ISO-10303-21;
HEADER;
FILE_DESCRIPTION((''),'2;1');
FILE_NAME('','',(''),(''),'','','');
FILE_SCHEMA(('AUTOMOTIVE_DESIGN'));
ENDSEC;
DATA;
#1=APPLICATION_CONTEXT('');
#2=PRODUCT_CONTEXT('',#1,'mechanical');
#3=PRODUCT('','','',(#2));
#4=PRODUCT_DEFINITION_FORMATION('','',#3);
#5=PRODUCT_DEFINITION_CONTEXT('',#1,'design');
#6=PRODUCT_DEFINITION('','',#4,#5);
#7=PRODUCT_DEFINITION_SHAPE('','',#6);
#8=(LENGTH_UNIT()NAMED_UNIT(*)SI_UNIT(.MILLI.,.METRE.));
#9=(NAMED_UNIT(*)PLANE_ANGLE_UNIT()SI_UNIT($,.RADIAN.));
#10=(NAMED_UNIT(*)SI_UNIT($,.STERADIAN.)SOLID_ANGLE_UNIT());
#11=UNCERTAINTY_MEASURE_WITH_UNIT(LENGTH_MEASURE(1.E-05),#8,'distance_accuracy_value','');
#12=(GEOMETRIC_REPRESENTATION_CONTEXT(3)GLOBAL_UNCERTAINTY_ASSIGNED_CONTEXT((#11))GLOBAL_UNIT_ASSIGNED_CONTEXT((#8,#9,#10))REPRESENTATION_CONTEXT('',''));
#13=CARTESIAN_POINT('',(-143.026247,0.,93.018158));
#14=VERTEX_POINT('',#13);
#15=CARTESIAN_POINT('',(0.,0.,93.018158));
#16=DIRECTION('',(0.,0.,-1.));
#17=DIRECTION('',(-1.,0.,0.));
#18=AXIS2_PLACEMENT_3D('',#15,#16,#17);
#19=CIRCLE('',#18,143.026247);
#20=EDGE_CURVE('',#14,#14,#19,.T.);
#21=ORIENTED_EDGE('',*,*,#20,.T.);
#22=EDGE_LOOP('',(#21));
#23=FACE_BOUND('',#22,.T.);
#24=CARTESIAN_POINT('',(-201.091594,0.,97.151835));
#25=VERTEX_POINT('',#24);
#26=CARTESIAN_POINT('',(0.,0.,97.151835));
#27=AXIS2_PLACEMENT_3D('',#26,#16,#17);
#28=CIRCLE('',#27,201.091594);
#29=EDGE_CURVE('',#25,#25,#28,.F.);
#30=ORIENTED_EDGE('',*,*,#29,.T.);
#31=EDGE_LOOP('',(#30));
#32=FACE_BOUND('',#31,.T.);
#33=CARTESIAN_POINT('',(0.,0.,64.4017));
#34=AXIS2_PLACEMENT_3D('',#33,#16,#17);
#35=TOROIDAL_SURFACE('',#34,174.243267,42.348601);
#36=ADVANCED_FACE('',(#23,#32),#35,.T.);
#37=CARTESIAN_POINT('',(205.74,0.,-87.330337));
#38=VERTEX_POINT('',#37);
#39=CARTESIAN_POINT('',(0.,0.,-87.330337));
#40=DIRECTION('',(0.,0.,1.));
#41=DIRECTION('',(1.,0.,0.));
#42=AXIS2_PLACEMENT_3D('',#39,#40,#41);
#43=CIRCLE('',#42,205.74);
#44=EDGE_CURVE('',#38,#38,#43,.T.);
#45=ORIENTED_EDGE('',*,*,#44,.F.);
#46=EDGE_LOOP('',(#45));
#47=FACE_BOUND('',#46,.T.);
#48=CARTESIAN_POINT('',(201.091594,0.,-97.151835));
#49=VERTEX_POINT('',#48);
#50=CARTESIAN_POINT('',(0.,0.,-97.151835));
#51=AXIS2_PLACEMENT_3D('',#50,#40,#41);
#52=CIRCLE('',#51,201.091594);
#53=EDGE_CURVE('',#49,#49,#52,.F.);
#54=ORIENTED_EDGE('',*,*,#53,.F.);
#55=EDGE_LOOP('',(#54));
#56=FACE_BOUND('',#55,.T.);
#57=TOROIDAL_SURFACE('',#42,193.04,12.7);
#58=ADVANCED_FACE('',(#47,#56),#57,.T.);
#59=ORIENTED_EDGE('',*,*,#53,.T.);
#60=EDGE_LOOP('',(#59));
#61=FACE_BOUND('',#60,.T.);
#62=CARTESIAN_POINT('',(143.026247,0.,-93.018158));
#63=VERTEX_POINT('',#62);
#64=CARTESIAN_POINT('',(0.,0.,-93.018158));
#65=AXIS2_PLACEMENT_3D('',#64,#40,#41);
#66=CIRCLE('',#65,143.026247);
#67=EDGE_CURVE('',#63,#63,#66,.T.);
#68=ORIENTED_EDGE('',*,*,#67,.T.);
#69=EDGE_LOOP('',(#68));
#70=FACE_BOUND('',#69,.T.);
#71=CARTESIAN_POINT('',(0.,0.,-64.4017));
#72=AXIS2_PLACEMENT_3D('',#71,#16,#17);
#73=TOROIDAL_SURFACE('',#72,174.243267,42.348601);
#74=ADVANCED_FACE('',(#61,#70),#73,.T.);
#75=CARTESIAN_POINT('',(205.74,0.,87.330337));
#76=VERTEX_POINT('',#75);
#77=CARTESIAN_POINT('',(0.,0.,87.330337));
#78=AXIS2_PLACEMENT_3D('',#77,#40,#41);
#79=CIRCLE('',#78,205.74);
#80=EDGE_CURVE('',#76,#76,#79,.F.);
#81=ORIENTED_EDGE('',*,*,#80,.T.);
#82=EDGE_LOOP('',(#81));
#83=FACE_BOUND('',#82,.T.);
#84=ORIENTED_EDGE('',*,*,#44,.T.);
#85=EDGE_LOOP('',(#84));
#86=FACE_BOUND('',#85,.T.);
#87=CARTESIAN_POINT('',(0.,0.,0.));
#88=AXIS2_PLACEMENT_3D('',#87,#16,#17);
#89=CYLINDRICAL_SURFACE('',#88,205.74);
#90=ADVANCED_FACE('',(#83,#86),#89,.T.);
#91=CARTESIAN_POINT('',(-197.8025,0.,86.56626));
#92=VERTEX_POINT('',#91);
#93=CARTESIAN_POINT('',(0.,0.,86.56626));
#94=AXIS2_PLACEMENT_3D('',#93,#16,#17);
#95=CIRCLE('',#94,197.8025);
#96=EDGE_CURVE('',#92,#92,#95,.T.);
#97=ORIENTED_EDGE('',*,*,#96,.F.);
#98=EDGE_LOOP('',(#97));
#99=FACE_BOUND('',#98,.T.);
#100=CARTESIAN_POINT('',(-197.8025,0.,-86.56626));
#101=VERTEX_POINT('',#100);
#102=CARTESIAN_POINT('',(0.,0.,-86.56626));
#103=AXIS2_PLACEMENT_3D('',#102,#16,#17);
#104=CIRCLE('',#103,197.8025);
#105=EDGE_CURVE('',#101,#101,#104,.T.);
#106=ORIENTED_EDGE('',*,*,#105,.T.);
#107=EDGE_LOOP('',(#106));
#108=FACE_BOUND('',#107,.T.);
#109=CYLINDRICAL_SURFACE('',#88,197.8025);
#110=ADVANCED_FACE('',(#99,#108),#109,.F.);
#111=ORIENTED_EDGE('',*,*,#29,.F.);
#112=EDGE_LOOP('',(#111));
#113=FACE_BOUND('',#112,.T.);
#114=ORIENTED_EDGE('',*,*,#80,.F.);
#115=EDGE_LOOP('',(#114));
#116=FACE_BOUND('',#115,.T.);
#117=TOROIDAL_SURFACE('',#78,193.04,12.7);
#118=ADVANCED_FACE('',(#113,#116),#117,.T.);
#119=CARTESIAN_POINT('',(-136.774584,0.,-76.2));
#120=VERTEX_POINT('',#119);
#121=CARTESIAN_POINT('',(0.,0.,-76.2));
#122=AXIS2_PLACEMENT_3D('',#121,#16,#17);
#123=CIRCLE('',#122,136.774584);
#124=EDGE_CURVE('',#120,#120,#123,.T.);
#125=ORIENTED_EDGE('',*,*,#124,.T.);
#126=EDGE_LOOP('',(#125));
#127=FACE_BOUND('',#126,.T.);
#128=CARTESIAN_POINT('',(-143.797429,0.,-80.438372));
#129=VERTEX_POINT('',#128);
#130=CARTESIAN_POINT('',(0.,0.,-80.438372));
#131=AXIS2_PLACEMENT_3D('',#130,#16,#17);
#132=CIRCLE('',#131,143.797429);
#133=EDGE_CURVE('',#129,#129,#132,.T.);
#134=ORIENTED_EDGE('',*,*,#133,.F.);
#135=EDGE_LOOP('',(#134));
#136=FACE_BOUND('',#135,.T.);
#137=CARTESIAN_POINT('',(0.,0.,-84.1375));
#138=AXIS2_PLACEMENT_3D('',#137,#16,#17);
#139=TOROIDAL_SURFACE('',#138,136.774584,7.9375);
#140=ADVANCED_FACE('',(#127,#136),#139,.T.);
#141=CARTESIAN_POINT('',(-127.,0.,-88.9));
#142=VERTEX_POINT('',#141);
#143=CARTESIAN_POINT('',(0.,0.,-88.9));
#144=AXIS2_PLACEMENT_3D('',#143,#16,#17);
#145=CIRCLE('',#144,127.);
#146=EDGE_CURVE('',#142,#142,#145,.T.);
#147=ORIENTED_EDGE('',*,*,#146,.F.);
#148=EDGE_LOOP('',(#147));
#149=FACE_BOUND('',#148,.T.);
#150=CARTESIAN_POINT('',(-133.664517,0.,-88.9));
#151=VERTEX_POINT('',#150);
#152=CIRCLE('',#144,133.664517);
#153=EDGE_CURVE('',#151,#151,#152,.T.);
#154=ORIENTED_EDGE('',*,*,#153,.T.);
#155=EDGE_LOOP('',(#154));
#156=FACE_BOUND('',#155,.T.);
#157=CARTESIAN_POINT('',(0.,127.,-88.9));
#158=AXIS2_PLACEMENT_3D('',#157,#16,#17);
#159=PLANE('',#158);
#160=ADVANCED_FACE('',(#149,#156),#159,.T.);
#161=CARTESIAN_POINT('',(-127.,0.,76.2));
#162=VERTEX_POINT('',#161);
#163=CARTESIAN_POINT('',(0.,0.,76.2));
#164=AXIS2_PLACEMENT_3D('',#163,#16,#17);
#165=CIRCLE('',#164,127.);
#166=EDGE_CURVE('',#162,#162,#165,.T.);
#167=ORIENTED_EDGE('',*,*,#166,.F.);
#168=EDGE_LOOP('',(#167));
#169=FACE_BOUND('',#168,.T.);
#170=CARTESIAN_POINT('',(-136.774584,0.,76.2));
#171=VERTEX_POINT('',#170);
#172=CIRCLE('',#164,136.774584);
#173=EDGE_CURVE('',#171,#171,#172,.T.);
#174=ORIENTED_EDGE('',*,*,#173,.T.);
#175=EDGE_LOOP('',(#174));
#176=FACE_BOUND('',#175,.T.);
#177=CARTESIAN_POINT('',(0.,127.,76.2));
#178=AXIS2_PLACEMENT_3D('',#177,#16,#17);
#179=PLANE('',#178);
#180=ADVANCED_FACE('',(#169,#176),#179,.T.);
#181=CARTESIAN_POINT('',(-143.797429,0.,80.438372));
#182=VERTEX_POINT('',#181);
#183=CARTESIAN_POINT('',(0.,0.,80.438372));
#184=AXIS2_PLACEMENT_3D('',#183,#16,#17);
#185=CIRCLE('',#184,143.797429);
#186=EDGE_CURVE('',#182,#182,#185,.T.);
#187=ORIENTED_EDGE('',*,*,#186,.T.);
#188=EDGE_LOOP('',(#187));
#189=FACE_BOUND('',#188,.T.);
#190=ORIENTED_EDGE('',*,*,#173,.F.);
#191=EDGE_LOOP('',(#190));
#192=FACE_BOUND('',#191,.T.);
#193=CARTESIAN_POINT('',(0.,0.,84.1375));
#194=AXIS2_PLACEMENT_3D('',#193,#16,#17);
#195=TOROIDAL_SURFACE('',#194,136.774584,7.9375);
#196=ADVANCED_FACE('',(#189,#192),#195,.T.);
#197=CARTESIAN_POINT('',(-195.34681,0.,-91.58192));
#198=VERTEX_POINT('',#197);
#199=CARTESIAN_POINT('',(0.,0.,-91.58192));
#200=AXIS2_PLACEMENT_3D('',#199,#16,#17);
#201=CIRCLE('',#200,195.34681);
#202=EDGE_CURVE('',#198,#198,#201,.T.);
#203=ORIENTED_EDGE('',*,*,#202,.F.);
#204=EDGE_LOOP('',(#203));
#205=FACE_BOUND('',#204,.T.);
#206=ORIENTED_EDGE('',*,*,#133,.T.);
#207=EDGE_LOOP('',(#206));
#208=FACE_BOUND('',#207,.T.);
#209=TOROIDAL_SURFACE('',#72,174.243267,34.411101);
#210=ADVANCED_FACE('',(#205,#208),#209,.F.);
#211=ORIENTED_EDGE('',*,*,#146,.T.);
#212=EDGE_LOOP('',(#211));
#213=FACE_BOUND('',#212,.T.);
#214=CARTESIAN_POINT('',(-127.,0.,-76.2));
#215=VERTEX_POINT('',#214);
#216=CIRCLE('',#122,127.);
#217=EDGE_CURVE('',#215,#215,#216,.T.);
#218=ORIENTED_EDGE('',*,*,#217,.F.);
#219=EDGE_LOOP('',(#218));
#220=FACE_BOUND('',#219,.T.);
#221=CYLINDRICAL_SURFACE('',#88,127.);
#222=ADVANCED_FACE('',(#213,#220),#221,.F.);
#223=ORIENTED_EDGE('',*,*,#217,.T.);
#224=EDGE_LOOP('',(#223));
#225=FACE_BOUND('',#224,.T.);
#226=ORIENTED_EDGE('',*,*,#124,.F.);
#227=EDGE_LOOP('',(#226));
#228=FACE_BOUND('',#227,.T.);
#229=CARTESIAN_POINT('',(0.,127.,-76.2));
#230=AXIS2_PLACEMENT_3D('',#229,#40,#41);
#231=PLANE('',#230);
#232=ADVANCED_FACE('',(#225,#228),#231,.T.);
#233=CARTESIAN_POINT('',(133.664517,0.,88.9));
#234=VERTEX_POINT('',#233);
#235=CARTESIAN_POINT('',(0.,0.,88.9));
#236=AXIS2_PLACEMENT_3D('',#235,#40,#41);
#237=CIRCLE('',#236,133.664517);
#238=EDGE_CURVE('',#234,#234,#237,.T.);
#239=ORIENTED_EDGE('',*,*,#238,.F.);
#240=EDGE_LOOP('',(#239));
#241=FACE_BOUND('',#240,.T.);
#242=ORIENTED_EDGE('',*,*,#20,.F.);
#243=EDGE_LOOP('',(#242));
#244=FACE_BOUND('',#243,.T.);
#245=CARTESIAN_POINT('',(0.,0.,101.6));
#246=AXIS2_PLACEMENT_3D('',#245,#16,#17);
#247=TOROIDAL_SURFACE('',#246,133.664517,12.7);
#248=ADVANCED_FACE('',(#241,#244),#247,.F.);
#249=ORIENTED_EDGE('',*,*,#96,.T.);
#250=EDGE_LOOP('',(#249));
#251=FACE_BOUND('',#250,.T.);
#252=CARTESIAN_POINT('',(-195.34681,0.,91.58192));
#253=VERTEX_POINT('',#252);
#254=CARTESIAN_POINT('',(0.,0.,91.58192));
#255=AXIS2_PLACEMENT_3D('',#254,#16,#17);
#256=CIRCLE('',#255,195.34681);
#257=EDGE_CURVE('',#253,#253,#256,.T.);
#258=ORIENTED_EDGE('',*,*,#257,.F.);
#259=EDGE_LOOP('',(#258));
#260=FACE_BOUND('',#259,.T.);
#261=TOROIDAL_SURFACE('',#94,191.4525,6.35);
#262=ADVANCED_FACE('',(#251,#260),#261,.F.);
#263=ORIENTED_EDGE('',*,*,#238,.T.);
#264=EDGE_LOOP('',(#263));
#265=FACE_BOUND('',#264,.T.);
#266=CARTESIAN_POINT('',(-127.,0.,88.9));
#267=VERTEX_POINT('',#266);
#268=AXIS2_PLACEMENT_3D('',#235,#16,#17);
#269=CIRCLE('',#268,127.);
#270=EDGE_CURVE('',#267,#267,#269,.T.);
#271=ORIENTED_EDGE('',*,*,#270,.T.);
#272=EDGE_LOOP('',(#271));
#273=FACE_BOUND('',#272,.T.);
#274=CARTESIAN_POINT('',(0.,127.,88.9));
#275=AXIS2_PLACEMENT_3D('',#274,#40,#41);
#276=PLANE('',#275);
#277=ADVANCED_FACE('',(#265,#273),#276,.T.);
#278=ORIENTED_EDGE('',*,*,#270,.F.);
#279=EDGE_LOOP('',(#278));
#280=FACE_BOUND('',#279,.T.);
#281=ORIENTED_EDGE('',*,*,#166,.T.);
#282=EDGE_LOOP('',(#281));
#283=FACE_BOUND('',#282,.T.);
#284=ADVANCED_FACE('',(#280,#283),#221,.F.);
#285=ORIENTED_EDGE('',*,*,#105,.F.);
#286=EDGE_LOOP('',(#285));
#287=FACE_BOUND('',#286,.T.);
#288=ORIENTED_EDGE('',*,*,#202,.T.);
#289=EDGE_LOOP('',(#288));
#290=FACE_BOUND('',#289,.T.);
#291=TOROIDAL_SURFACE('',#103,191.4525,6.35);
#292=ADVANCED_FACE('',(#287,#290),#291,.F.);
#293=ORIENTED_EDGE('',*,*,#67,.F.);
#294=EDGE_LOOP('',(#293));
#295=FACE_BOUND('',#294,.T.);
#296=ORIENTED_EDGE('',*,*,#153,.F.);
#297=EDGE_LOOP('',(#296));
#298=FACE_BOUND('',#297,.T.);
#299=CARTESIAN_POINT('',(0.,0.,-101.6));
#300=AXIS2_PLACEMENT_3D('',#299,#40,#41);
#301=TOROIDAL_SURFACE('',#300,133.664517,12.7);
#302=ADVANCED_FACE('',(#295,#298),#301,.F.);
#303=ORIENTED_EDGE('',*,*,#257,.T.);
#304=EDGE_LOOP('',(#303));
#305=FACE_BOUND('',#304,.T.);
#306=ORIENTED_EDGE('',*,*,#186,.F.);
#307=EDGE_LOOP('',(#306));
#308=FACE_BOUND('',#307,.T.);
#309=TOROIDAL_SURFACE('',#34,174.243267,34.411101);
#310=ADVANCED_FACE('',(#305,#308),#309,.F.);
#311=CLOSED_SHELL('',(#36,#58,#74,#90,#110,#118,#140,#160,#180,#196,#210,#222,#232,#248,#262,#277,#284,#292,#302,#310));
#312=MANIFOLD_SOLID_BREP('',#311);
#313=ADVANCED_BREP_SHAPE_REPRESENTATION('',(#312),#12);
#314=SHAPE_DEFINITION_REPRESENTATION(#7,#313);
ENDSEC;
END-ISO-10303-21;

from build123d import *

# Parameters (mm, degrees)
FILLET1_R = 12.7


with BuildPart() as part:
    # Sketch1 → Revolve1 (revolve)
    with BuildSketch(Plane(origin=(0, 0, 0), x_dir=(0, 0, -1), z_dir=(1, 0, 0))):
        with BuildLine():
            Line((-92.71, 205.74), (92.71, 205.74))
            ThreePointArc((92.71, 205.74), (106.68, 171.804134615), (88.9, 139.7))
            Line((88.9, 139.7), (88.9, 127))
            Line((88.9, 127), (76.2, 127))
            Line((76.2, 127), (76.2, 136.77458415))
            ThreePointArc((76.2, 136.77458415), (77.341702115, 140.875929948), (80.438371617, 143.797429404))
            ThreePointArc((80.438371617, 143.797429404), (98.03590274, 166.972484114), (91.58192014, 195.346810028))
            ThreePointArc((91.58192014, 195.346810028), (89.358537587, 197.155629346), (86.566259724, 197.8025))
            Line((86.566259724, 197.8025), (-86.566259724, 197.8025))
            ThreePointArc((-86.566259724, 197.8025), (-89.358537587, 197.155629346), (-91.58192014, 195.346810028))
            ThreePointArc((-91.58192014, 195.346810028), (-98.03590274, 166.972484114), (-80.438371617, 143.797429404))
            ThreePointArc((-80.438371617, 143.797429404), (-77.341702115, 140.875929948), (-76.2, 136.77458415))
            Line((-76.2, 136.77458415), (-76.2, 127))
            Line((-76.2, 127), (-88.9, 127))
            Line((-88.9, 127), (-88.9, 139.7))
            ThreePointArc((-88.9, 139.7), (-106.68, 171.804134615), (-92.71, 205.74))
        make_face()
    revolve(axis=Axis((0, 0, 0), (0, 0, 1)))

    # Fillet1
    fillet1_edges = [part.edges().sort_by_distance(p)[0] for p in [
        (0, -205.74, 92.71),
        (0, -205.74, -92.71),
        (0, -139.7, -88.9),
        (0, -139.7, 88.9),
    ]]
    fillet(fillet1_edges, radius=FILLET1_R)


solid = part.part
